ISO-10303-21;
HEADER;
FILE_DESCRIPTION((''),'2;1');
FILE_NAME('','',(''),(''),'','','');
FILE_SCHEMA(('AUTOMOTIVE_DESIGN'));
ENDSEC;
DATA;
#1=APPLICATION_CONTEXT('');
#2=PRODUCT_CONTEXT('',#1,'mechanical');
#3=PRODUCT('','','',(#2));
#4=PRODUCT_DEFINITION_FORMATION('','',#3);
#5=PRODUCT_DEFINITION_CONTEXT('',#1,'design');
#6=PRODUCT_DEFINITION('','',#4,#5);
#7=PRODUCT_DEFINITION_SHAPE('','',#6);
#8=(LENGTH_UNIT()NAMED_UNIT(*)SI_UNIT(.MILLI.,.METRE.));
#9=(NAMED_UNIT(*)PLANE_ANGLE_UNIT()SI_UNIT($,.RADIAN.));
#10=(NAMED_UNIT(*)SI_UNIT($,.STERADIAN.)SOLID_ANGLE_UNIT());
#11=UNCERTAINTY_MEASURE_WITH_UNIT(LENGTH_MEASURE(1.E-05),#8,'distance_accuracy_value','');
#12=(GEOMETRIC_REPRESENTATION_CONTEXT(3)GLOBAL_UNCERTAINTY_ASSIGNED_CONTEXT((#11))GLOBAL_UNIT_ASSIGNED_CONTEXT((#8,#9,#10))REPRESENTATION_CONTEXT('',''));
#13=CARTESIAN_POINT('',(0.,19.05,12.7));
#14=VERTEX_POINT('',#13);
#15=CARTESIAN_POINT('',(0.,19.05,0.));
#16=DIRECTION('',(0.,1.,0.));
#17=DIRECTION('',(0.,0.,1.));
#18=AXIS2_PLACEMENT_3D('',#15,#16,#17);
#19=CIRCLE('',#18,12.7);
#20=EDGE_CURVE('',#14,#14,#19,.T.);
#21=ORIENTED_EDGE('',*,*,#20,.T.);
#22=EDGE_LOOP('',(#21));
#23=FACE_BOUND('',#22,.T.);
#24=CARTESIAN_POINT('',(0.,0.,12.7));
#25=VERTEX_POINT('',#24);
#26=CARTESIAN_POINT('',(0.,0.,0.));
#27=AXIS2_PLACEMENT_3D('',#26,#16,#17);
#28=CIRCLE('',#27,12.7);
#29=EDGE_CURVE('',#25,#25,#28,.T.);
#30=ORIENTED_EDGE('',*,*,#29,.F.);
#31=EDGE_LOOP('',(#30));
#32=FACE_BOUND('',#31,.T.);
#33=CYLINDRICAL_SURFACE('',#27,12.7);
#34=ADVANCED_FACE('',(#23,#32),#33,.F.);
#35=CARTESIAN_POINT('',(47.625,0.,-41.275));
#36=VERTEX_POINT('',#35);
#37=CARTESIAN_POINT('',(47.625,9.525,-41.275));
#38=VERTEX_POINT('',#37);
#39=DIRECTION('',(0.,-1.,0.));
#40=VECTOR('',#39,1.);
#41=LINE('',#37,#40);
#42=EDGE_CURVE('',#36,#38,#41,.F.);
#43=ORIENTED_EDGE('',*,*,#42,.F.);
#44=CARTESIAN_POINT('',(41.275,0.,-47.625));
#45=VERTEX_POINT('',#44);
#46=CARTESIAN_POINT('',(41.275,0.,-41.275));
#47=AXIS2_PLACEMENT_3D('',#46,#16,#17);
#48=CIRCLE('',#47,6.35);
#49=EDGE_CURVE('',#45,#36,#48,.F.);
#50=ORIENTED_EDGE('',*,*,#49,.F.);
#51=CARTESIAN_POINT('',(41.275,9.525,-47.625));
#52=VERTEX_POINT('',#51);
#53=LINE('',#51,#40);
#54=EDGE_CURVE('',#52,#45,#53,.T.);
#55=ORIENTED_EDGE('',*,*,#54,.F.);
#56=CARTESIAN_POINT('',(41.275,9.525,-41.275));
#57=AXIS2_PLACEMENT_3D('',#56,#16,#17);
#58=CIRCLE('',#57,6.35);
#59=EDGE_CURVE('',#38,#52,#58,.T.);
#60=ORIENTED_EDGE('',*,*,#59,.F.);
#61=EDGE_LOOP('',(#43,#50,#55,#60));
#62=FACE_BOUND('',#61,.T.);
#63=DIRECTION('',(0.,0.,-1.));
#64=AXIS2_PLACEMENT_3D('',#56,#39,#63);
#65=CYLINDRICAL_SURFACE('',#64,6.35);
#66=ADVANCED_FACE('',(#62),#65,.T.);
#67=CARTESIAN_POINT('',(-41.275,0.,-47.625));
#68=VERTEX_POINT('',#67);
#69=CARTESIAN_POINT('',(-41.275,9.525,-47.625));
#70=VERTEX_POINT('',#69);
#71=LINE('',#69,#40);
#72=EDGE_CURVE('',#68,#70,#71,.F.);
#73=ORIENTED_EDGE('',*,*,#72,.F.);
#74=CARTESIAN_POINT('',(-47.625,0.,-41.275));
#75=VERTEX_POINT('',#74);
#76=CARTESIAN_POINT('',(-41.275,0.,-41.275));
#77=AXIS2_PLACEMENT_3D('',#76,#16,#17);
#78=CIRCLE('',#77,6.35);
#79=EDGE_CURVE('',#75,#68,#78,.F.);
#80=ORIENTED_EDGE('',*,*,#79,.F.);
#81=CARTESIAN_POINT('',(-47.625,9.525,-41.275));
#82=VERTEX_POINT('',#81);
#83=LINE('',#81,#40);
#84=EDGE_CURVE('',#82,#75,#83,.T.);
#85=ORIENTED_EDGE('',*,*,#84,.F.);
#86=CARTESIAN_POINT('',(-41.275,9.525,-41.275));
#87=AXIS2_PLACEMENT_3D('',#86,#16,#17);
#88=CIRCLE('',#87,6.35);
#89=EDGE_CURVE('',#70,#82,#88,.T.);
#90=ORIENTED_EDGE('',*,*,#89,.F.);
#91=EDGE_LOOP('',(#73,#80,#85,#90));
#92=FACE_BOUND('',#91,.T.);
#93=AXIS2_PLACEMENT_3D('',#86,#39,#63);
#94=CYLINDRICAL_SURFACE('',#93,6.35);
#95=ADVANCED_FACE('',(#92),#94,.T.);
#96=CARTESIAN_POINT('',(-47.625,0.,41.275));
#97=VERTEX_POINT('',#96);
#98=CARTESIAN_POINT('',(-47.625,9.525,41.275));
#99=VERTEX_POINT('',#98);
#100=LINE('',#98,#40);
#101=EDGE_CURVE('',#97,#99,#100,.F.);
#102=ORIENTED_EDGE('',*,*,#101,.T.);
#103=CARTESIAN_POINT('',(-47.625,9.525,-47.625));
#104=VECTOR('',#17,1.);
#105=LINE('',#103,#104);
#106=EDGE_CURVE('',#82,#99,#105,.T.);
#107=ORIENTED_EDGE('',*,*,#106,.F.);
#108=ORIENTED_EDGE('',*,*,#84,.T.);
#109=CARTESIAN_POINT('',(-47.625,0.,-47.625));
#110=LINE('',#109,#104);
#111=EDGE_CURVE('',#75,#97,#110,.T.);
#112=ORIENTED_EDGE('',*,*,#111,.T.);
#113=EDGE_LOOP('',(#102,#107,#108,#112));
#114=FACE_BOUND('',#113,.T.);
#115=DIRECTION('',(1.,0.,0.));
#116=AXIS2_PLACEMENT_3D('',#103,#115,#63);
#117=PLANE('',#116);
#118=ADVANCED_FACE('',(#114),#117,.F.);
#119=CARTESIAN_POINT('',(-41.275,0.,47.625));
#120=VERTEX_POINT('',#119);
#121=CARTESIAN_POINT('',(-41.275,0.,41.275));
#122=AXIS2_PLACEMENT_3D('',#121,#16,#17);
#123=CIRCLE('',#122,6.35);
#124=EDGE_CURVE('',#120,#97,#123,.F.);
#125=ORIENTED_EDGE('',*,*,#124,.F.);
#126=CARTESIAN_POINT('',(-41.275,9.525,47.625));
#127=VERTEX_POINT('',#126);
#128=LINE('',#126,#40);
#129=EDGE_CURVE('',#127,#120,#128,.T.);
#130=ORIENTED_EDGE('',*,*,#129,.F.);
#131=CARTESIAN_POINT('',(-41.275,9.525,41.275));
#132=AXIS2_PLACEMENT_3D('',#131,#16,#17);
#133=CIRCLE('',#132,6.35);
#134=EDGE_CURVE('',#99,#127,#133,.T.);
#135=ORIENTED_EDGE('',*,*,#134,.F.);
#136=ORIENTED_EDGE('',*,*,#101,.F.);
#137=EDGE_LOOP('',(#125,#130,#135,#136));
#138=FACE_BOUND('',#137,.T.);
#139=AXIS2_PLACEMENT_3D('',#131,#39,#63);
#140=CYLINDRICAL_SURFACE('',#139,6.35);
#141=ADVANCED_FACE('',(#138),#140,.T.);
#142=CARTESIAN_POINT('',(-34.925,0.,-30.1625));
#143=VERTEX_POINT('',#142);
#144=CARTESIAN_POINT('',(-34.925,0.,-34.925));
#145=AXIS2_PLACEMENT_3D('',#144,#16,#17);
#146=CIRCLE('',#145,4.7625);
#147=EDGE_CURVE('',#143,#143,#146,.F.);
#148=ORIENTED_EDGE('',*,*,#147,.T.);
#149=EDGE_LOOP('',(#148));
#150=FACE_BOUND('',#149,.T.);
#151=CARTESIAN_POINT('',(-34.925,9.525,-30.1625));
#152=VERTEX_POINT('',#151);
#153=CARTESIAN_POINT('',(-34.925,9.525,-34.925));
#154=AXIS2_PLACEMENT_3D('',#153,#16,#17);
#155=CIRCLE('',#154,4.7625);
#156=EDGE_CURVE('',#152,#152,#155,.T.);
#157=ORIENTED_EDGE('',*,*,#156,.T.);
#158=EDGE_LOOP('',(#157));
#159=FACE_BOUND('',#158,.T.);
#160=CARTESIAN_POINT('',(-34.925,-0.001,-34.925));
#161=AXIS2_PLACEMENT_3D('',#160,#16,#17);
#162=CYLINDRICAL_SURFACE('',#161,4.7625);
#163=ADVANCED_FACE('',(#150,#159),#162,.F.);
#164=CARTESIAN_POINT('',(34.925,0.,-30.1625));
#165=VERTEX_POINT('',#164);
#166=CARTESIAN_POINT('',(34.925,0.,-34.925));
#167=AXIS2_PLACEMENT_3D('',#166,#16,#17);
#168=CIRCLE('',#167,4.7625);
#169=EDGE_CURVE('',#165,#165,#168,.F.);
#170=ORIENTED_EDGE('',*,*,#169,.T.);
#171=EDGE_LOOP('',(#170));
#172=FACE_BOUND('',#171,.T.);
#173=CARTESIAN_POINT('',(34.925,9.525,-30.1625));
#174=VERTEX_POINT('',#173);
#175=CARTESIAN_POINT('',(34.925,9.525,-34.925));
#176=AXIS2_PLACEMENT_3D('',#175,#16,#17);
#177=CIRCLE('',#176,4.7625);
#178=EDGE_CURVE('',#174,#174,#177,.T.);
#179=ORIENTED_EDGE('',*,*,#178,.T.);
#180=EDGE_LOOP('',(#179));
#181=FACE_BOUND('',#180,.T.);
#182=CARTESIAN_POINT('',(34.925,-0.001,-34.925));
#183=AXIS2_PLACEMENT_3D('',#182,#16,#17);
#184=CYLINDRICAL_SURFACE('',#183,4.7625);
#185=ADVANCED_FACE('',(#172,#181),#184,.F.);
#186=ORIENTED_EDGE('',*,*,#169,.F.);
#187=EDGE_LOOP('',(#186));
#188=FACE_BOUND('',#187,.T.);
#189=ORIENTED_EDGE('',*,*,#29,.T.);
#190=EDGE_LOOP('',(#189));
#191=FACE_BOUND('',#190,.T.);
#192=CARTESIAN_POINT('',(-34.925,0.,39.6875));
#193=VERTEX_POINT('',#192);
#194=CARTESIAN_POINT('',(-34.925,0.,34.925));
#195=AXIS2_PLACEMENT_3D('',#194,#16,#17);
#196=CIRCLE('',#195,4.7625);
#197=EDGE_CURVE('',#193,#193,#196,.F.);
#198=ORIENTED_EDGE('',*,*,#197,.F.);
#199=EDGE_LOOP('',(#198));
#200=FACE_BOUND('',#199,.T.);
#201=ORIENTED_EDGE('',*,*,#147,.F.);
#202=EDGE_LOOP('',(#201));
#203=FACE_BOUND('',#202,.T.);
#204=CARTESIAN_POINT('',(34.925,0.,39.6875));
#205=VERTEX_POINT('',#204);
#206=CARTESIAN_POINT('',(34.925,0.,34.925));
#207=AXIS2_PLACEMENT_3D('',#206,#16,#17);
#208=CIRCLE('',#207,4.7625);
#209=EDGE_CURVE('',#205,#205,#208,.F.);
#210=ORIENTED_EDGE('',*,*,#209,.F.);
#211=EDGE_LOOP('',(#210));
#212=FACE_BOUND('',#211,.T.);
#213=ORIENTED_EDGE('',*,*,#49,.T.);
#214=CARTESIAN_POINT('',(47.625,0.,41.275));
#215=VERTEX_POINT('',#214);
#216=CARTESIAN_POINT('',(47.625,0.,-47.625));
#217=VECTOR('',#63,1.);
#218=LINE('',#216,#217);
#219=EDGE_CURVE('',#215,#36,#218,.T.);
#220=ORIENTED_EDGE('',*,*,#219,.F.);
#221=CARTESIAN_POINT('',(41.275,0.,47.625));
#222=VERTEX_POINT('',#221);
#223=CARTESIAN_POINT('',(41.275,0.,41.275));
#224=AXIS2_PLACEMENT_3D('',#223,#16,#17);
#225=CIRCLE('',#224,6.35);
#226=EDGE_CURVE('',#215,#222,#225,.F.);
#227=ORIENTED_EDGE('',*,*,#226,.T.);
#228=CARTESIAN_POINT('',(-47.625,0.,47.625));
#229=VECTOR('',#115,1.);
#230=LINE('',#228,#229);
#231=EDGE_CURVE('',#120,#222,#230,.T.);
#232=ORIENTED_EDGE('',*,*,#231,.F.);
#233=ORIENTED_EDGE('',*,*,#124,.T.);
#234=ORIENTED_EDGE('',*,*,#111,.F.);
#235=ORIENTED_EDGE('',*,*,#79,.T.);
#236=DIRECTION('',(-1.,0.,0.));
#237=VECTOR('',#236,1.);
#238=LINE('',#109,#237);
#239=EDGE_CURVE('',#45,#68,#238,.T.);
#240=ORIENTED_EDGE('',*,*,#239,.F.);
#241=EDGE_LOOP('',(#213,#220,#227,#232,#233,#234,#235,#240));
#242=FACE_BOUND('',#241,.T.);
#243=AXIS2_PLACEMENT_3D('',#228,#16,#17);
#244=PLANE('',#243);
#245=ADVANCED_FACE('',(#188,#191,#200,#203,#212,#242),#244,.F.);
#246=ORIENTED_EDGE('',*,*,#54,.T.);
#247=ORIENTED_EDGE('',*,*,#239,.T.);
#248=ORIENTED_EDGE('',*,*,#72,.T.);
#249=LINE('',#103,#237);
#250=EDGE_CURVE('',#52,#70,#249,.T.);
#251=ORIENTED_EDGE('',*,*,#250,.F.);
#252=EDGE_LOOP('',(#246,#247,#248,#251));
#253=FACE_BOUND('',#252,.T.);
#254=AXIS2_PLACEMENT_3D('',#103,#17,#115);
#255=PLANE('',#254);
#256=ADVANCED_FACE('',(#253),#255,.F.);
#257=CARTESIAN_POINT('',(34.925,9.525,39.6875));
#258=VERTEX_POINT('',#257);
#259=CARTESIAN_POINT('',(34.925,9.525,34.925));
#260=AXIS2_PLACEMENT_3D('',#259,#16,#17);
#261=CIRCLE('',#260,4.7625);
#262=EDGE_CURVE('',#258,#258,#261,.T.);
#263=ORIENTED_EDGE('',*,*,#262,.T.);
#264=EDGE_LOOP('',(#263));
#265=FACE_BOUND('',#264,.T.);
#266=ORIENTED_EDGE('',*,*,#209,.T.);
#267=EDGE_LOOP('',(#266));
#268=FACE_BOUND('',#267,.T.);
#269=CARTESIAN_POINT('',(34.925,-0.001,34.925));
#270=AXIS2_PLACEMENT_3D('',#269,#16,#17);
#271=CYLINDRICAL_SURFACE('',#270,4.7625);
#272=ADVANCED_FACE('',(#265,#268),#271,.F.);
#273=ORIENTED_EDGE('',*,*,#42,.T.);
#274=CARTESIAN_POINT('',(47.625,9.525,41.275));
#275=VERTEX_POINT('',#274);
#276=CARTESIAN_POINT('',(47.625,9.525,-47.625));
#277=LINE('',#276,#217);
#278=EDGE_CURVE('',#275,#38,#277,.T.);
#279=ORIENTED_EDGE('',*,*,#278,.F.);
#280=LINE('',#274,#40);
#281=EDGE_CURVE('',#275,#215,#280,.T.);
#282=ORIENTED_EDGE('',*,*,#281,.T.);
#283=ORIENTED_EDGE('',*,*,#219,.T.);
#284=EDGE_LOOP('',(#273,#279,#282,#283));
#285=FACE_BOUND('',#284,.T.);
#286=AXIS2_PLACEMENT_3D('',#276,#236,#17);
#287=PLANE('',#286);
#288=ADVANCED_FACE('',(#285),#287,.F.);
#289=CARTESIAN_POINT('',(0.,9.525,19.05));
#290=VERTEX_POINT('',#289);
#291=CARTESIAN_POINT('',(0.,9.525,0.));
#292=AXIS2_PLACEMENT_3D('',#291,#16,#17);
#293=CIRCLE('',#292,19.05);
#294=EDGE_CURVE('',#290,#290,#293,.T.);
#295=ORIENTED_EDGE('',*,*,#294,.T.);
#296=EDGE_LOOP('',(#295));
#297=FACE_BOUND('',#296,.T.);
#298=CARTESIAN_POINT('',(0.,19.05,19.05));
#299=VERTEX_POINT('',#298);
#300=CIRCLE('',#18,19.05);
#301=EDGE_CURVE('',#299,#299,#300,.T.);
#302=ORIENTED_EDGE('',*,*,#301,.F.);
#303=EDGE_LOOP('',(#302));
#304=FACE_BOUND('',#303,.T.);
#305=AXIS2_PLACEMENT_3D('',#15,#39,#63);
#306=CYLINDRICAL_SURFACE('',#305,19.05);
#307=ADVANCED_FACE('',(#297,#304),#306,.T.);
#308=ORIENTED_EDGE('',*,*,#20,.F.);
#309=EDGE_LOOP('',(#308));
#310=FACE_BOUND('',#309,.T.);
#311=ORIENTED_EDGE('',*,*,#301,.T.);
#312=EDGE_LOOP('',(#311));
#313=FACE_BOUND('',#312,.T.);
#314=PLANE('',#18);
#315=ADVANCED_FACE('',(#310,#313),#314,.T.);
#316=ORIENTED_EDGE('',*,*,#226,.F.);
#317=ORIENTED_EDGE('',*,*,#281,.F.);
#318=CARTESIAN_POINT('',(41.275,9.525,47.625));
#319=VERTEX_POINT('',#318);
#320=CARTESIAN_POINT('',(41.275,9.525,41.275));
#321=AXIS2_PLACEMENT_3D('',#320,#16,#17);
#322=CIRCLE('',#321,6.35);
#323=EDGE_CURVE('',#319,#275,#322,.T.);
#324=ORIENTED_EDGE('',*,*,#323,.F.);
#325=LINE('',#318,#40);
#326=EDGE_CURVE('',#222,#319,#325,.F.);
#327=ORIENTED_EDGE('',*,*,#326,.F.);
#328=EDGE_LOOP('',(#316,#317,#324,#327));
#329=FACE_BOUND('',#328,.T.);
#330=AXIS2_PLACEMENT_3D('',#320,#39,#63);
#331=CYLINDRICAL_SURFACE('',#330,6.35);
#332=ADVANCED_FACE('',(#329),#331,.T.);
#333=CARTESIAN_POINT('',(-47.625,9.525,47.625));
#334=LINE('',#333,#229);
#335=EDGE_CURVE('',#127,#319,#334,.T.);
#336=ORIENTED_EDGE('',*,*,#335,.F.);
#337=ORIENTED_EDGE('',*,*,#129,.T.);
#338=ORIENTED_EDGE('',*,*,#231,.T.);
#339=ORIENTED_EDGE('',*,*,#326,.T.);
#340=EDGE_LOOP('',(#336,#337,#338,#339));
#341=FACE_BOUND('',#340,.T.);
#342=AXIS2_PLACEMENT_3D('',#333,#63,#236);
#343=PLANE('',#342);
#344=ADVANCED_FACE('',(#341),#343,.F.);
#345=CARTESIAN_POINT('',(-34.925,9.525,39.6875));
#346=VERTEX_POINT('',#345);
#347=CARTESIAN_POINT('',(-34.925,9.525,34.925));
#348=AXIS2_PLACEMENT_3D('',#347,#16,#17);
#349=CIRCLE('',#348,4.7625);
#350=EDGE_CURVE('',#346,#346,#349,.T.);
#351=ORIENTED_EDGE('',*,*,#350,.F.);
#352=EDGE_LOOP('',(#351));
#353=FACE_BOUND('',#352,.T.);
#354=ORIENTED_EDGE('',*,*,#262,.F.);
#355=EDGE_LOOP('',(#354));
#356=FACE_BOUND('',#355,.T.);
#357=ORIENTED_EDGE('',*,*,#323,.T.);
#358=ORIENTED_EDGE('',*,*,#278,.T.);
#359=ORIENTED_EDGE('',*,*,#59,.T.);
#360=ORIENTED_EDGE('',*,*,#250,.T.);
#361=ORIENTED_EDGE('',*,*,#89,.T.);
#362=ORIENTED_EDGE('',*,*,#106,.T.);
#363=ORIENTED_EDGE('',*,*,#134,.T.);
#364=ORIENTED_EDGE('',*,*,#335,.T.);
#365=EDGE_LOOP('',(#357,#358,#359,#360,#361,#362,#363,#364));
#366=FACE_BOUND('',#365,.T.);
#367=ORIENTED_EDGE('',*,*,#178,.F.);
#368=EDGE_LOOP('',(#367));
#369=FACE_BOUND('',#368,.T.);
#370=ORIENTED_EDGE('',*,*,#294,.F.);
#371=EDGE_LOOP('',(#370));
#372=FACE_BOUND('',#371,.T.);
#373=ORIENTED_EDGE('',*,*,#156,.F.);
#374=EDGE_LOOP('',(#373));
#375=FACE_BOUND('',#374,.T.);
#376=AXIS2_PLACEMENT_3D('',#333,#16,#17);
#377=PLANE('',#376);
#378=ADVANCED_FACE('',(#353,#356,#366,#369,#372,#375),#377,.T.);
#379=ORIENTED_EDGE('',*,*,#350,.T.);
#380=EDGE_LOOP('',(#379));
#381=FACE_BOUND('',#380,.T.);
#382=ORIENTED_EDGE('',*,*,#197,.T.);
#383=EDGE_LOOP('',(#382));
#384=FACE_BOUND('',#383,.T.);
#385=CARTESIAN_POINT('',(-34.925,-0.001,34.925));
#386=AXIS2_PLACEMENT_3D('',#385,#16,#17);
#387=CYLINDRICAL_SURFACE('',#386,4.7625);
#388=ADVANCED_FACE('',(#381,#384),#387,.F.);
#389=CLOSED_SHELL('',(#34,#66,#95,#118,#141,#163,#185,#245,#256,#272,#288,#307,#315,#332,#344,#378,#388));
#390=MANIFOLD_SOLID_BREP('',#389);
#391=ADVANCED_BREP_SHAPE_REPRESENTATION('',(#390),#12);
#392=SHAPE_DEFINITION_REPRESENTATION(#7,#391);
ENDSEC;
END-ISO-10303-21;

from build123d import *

# Parameters (mm, degrees)
SKETCH1_W          = 95.25
SKETCH1_H          = 95.25
EXTRUDE1_DEPTH     = 9.525
SKETCH2_R          = 19.05
EXTRUDE2_DEPTH     = 9.525
SKETCH3_R          = 12.7
CUT_EXTRUDE1_DEPTH = 20.05
FILLET1_R          = 6.35
CUT_EXTRUDE2_REACH = 11.525
SKETCH4_R          = 4.7625


with BuildPart() as part:
    # Sketch1 → Extrude1 (new body)
    with BuildSketch(Plane(origin=(0, 0, 0), x_dir=(1, 0, 0), z_dir=(0, 1, 0))):
        Rectangle(SKETCH1_W, SKETCH1_H)
    extrude(amount=EXTRUDE1_DEPTH)

    # Sketch2 → Extrude2 (add)
    with BuildSketch(Plane(origin=(0, 9.525, 0), x_dir=(-1, 0, 0), z_dir=(0, 1, 0))):
        Circle(SKETCH2_R)
    extrude(amount=EXTRUDE2_DEPTH)

    # Sketch3 → Cut-Extrude1 (cut, through all)
    with BuildSketch(Plane(origin=(0, 19.05, 0), x_dir=(-1, 0, 0), z_dir=(0, 1, 0))):
        Circle(SKETCH3_R)
    extrude(amount=-CUT_EXTRUDE1_DEPTH, mode=Mode.SUBTRACT)

    # Fillet1
    fillet1_edges = [part.edges().sort_by_distance(p)[0] for p in [
        (-47.625, 4.7625, -47.625),
        (47.625, 4.7625, -47.625),
        (47.625, 4.7625, 47.625),
        (-47.625, 4.7625, 47.625),
    ]]
    fillet(fillet1_edges, radius=FILLET1_R)

    # Sketch4 → Cut-Extrude2 (cut, up to next)
    with BuildSketch(Plane(origin=(0, 9.525, 0), x_dir=(-1, 0, 0), z_dir=(0, 1, 0)), mode=Mode.PRIVATE) as cut_extrude2_sk1:
        with Locations((-34.925, -34.925)):
            Circle(SKETCH4_R)
    cut_extrude2_tool1 = extrude(cut_extrude2_sk1.sketch, amount=-CUT_EXTRUDE2_REACH, mode=Mode.PRIVATE) & part.part
    add(cut_extrude2_tool1.solids().sort_by_distance((34.925, 9.525, -34.925))[0], mode=Mode.SUBTRACT)
    # Sketch4 → Cut-Extrude2 (cut, up to next)
    with BuildSketch(Plane(origin=(0, 9.525, 0), x_dir=(-1, 0, 0), z_dir=(0, 1, 0)), mode=Mode.PRIVATE) as cut_extrude2_sk2:
        with Locations((34.925, -34.925)):
            Circle(SKETCH4_R)
    cut_extrude2_tool2 = extrude(cut_extrude2_sk2.sketch, amount=-CUT_EXTRUDE2_REACH, mode=Mode.PRIVATE) & part.part
    add(cut_extrude2_tool2.solids().sort_by_distance((-34.925, 9.525, -34.925))[0], mode=Mode.SUBTRACT)
    # Sketch4 → Cut-Extrude2 (cut, up to next)
    with BuildSketch(Plane(origin=(0, 9.525, 0), x_dir=(-1, 0, 0), z_dir=(0, 1, 0)), mode=Mode.PRIVATE) as cut_extrude2_sk3:
        with Locations((34.925, 34.925)):
            Circle(SKETCH4_R)
    cut_extrude2_tool3 = extrude(cut_extrude2_sk3.sketch, amount=-CUT_EXTRUDE2_REACH, mode=Mode.PRIVATE) & part.part
    add(cut_extrude2_tool3.solids().sort_by_distance((-34.925, 9.525, 34.925))[0], mode=Mode.SUBTRACT)
    # Sketch4 → Cut-Extrude2 (cut, up to next)
    with BuildSketch(Plane(origin=(0, 9.525, 0), x_dir=(-1, 0, 0), z_dir=(0, 1, 0)), mode=Mode.PRIVATE) as cut_extrude2_sk4:
        with Locations((-34.925, 34.925)):
            Circle(SKETCH4_R)
    cut_extrude2_tool4 = extrude(cut_extrude2_sk4.sketch, amount=-CUT_EXTRUDE2_REACH, mode=Mode.PRIVATE) & part.part
    add(cut_extrude2_tool4.solids().sort_by_distance((34.925, 9.525, 34.925))[0], mode=Mode.SUBTRACT)


solid = part.part
